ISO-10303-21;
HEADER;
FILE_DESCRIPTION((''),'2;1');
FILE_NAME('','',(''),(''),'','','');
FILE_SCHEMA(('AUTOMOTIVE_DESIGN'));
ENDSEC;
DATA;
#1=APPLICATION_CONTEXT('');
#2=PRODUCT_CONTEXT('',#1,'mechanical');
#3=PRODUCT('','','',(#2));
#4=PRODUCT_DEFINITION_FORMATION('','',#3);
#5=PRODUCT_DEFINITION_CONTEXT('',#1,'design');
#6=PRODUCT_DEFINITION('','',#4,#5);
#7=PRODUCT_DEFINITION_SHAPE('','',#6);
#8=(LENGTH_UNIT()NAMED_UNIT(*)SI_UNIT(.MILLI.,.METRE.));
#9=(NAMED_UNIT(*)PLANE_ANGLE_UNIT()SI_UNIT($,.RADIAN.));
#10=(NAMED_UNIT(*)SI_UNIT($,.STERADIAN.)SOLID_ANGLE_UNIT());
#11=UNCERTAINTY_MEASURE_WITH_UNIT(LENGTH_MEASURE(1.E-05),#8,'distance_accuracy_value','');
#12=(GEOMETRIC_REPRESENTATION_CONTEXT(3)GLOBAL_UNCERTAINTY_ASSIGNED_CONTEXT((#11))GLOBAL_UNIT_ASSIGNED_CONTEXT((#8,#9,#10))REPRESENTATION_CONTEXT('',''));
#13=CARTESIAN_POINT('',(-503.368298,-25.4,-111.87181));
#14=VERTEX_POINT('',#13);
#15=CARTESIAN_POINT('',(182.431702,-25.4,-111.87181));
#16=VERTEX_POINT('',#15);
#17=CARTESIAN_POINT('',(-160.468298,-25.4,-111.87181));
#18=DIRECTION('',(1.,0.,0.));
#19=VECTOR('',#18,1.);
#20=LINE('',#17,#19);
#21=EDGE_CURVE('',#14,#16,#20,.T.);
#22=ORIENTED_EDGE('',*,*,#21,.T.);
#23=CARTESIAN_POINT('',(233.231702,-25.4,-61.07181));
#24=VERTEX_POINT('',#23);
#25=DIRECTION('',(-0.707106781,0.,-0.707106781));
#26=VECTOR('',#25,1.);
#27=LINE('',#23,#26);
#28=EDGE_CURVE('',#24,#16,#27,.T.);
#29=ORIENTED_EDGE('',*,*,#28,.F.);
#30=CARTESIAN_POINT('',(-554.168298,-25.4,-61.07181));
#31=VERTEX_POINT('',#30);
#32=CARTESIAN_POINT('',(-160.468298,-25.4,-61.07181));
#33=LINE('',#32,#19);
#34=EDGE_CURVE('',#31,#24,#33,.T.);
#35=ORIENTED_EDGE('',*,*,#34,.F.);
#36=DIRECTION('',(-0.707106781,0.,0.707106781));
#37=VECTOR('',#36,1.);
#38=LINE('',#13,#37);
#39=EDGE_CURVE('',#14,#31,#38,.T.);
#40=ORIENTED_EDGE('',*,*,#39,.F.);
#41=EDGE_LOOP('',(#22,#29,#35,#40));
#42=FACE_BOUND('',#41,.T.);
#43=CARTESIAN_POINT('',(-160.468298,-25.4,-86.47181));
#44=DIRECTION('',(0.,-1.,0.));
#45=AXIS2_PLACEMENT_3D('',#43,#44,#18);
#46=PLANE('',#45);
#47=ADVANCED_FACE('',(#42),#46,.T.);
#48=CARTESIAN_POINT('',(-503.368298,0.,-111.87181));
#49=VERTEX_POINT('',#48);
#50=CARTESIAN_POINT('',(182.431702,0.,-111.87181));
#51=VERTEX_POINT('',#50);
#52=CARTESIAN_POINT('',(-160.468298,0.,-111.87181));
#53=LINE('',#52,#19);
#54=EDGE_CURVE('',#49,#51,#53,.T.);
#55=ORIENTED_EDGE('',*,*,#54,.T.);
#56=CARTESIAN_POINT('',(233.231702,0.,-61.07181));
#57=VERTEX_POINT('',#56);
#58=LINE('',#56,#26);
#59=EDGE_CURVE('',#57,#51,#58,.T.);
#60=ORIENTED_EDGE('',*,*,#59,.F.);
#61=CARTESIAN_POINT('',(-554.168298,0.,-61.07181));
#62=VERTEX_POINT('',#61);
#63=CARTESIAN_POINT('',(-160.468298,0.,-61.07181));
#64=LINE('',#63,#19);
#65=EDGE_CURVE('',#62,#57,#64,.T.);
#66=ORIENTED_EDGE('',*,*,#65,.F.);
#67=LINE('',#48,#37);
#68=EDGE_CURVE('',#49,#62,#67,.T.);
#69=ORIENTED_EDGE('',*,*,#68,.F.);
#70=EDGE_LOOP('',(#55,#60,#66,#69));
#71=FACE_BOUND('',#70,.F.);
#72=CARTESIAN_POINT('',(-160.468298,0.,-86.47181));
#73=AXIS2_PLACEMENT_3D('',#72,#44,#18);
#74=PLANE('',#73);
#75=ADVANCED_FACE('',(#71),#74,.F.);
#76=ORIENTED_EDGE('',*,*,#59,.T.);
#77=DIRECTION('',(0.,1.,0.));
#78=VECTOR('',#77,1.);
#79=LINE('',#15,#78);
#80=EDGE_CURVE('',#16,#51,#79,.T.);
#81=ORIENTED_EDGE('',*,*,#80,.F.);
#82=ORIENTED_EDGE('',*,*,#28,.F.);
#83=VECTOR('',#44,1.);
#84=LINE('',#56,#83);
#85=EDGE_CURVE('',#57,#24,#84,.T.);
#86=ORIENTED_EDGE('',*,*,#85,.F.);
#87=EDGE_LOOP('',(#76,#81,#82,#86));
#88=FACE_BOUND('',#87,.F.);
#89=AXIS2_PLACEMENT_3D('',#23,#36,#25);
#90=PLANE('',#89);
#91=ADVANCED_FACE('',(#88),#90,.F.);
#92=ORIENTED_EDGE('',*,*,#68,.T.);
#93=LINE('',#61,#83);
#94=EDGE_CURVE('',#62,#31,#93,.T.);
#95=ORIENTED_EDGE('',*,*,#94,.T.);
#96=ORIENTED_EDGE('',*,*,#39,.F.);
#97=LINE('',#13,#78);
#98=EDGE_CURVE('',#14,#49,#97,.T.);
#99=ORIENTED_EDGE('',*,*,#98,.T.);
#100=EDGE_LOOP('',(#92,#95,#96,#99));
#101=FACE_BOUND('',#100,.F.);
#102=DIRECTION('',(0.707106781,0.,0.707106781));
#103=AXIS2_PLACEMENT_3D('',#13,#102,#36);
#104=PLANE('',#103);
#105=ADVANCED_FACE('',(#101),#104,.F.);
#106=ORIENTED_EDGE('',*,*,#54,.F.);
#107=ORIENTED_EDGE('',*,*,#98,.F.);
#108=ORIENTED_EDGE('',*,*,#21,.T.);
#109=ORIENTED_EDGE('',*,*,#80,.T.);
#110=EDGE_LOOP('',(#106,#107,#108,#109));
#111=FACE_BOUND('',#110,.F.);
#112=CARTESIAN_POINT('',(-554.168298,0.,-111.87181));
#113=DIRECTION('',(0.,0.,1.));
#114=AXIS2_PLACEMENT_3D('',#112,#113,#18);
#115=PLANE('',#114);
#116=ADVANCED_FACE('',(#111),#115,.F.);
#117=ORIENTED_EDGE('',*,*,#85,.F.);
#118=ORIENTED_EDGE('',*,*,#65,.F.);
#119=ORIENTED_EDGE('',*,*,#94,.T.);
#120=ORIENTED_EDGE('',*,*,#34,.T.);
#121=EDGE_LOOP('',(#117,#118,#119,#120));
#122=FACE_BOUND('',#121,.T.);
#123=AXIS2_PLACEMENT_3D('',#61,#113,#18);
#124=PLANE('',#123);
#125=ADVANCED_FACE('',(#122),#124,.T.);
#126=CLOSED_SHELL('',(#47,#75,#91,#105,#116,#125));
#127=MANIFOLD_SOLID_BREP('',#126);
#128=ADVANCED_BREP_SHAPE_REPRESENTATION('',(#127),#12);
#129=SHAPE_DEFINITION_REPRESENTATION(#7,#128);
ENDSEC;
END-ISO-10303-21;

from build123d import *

# Parameters (mm, degrees)
F0_W     = 787.4
F0_H     = 50.8
F1_DEPTH = 25.4
F3_DEPTH = 25.4
F5_DEPTH = 25.4


with BuildPart() as f1:
    # F0 (on Front) → F1 (new body)
    with BuildSketch(Plane.XZ):
        with Locations((-160.468298, -86.47181)):
            Rectangle(F0_W, F0_H)
    extrude(amount=F1_DEPTH)

    # F2 (on face) → F3 (cut)
    with BuildSketch(Plane.XZ.offset(25.4)):
        Polygon((182.431702, -111.87181), (233.231702, -111.87181), (233.231702, -61.07181), align=None)
    extrude(amount=-F3_DEPTH, mode=Mode.SUBTRACT)

    # F4 (on face) → F5 (cut)
    with BuildSketch(Plane.XZ.offset(25.4)):
        Polygon((-554.168298, -61.07181), (-554.168298, -111.87181), (-503.368298, -111.87181), align=None)
    extrude(amount=-F5_DEPTH, mode=Mode.SUBTRACT)


solid = f1.part
